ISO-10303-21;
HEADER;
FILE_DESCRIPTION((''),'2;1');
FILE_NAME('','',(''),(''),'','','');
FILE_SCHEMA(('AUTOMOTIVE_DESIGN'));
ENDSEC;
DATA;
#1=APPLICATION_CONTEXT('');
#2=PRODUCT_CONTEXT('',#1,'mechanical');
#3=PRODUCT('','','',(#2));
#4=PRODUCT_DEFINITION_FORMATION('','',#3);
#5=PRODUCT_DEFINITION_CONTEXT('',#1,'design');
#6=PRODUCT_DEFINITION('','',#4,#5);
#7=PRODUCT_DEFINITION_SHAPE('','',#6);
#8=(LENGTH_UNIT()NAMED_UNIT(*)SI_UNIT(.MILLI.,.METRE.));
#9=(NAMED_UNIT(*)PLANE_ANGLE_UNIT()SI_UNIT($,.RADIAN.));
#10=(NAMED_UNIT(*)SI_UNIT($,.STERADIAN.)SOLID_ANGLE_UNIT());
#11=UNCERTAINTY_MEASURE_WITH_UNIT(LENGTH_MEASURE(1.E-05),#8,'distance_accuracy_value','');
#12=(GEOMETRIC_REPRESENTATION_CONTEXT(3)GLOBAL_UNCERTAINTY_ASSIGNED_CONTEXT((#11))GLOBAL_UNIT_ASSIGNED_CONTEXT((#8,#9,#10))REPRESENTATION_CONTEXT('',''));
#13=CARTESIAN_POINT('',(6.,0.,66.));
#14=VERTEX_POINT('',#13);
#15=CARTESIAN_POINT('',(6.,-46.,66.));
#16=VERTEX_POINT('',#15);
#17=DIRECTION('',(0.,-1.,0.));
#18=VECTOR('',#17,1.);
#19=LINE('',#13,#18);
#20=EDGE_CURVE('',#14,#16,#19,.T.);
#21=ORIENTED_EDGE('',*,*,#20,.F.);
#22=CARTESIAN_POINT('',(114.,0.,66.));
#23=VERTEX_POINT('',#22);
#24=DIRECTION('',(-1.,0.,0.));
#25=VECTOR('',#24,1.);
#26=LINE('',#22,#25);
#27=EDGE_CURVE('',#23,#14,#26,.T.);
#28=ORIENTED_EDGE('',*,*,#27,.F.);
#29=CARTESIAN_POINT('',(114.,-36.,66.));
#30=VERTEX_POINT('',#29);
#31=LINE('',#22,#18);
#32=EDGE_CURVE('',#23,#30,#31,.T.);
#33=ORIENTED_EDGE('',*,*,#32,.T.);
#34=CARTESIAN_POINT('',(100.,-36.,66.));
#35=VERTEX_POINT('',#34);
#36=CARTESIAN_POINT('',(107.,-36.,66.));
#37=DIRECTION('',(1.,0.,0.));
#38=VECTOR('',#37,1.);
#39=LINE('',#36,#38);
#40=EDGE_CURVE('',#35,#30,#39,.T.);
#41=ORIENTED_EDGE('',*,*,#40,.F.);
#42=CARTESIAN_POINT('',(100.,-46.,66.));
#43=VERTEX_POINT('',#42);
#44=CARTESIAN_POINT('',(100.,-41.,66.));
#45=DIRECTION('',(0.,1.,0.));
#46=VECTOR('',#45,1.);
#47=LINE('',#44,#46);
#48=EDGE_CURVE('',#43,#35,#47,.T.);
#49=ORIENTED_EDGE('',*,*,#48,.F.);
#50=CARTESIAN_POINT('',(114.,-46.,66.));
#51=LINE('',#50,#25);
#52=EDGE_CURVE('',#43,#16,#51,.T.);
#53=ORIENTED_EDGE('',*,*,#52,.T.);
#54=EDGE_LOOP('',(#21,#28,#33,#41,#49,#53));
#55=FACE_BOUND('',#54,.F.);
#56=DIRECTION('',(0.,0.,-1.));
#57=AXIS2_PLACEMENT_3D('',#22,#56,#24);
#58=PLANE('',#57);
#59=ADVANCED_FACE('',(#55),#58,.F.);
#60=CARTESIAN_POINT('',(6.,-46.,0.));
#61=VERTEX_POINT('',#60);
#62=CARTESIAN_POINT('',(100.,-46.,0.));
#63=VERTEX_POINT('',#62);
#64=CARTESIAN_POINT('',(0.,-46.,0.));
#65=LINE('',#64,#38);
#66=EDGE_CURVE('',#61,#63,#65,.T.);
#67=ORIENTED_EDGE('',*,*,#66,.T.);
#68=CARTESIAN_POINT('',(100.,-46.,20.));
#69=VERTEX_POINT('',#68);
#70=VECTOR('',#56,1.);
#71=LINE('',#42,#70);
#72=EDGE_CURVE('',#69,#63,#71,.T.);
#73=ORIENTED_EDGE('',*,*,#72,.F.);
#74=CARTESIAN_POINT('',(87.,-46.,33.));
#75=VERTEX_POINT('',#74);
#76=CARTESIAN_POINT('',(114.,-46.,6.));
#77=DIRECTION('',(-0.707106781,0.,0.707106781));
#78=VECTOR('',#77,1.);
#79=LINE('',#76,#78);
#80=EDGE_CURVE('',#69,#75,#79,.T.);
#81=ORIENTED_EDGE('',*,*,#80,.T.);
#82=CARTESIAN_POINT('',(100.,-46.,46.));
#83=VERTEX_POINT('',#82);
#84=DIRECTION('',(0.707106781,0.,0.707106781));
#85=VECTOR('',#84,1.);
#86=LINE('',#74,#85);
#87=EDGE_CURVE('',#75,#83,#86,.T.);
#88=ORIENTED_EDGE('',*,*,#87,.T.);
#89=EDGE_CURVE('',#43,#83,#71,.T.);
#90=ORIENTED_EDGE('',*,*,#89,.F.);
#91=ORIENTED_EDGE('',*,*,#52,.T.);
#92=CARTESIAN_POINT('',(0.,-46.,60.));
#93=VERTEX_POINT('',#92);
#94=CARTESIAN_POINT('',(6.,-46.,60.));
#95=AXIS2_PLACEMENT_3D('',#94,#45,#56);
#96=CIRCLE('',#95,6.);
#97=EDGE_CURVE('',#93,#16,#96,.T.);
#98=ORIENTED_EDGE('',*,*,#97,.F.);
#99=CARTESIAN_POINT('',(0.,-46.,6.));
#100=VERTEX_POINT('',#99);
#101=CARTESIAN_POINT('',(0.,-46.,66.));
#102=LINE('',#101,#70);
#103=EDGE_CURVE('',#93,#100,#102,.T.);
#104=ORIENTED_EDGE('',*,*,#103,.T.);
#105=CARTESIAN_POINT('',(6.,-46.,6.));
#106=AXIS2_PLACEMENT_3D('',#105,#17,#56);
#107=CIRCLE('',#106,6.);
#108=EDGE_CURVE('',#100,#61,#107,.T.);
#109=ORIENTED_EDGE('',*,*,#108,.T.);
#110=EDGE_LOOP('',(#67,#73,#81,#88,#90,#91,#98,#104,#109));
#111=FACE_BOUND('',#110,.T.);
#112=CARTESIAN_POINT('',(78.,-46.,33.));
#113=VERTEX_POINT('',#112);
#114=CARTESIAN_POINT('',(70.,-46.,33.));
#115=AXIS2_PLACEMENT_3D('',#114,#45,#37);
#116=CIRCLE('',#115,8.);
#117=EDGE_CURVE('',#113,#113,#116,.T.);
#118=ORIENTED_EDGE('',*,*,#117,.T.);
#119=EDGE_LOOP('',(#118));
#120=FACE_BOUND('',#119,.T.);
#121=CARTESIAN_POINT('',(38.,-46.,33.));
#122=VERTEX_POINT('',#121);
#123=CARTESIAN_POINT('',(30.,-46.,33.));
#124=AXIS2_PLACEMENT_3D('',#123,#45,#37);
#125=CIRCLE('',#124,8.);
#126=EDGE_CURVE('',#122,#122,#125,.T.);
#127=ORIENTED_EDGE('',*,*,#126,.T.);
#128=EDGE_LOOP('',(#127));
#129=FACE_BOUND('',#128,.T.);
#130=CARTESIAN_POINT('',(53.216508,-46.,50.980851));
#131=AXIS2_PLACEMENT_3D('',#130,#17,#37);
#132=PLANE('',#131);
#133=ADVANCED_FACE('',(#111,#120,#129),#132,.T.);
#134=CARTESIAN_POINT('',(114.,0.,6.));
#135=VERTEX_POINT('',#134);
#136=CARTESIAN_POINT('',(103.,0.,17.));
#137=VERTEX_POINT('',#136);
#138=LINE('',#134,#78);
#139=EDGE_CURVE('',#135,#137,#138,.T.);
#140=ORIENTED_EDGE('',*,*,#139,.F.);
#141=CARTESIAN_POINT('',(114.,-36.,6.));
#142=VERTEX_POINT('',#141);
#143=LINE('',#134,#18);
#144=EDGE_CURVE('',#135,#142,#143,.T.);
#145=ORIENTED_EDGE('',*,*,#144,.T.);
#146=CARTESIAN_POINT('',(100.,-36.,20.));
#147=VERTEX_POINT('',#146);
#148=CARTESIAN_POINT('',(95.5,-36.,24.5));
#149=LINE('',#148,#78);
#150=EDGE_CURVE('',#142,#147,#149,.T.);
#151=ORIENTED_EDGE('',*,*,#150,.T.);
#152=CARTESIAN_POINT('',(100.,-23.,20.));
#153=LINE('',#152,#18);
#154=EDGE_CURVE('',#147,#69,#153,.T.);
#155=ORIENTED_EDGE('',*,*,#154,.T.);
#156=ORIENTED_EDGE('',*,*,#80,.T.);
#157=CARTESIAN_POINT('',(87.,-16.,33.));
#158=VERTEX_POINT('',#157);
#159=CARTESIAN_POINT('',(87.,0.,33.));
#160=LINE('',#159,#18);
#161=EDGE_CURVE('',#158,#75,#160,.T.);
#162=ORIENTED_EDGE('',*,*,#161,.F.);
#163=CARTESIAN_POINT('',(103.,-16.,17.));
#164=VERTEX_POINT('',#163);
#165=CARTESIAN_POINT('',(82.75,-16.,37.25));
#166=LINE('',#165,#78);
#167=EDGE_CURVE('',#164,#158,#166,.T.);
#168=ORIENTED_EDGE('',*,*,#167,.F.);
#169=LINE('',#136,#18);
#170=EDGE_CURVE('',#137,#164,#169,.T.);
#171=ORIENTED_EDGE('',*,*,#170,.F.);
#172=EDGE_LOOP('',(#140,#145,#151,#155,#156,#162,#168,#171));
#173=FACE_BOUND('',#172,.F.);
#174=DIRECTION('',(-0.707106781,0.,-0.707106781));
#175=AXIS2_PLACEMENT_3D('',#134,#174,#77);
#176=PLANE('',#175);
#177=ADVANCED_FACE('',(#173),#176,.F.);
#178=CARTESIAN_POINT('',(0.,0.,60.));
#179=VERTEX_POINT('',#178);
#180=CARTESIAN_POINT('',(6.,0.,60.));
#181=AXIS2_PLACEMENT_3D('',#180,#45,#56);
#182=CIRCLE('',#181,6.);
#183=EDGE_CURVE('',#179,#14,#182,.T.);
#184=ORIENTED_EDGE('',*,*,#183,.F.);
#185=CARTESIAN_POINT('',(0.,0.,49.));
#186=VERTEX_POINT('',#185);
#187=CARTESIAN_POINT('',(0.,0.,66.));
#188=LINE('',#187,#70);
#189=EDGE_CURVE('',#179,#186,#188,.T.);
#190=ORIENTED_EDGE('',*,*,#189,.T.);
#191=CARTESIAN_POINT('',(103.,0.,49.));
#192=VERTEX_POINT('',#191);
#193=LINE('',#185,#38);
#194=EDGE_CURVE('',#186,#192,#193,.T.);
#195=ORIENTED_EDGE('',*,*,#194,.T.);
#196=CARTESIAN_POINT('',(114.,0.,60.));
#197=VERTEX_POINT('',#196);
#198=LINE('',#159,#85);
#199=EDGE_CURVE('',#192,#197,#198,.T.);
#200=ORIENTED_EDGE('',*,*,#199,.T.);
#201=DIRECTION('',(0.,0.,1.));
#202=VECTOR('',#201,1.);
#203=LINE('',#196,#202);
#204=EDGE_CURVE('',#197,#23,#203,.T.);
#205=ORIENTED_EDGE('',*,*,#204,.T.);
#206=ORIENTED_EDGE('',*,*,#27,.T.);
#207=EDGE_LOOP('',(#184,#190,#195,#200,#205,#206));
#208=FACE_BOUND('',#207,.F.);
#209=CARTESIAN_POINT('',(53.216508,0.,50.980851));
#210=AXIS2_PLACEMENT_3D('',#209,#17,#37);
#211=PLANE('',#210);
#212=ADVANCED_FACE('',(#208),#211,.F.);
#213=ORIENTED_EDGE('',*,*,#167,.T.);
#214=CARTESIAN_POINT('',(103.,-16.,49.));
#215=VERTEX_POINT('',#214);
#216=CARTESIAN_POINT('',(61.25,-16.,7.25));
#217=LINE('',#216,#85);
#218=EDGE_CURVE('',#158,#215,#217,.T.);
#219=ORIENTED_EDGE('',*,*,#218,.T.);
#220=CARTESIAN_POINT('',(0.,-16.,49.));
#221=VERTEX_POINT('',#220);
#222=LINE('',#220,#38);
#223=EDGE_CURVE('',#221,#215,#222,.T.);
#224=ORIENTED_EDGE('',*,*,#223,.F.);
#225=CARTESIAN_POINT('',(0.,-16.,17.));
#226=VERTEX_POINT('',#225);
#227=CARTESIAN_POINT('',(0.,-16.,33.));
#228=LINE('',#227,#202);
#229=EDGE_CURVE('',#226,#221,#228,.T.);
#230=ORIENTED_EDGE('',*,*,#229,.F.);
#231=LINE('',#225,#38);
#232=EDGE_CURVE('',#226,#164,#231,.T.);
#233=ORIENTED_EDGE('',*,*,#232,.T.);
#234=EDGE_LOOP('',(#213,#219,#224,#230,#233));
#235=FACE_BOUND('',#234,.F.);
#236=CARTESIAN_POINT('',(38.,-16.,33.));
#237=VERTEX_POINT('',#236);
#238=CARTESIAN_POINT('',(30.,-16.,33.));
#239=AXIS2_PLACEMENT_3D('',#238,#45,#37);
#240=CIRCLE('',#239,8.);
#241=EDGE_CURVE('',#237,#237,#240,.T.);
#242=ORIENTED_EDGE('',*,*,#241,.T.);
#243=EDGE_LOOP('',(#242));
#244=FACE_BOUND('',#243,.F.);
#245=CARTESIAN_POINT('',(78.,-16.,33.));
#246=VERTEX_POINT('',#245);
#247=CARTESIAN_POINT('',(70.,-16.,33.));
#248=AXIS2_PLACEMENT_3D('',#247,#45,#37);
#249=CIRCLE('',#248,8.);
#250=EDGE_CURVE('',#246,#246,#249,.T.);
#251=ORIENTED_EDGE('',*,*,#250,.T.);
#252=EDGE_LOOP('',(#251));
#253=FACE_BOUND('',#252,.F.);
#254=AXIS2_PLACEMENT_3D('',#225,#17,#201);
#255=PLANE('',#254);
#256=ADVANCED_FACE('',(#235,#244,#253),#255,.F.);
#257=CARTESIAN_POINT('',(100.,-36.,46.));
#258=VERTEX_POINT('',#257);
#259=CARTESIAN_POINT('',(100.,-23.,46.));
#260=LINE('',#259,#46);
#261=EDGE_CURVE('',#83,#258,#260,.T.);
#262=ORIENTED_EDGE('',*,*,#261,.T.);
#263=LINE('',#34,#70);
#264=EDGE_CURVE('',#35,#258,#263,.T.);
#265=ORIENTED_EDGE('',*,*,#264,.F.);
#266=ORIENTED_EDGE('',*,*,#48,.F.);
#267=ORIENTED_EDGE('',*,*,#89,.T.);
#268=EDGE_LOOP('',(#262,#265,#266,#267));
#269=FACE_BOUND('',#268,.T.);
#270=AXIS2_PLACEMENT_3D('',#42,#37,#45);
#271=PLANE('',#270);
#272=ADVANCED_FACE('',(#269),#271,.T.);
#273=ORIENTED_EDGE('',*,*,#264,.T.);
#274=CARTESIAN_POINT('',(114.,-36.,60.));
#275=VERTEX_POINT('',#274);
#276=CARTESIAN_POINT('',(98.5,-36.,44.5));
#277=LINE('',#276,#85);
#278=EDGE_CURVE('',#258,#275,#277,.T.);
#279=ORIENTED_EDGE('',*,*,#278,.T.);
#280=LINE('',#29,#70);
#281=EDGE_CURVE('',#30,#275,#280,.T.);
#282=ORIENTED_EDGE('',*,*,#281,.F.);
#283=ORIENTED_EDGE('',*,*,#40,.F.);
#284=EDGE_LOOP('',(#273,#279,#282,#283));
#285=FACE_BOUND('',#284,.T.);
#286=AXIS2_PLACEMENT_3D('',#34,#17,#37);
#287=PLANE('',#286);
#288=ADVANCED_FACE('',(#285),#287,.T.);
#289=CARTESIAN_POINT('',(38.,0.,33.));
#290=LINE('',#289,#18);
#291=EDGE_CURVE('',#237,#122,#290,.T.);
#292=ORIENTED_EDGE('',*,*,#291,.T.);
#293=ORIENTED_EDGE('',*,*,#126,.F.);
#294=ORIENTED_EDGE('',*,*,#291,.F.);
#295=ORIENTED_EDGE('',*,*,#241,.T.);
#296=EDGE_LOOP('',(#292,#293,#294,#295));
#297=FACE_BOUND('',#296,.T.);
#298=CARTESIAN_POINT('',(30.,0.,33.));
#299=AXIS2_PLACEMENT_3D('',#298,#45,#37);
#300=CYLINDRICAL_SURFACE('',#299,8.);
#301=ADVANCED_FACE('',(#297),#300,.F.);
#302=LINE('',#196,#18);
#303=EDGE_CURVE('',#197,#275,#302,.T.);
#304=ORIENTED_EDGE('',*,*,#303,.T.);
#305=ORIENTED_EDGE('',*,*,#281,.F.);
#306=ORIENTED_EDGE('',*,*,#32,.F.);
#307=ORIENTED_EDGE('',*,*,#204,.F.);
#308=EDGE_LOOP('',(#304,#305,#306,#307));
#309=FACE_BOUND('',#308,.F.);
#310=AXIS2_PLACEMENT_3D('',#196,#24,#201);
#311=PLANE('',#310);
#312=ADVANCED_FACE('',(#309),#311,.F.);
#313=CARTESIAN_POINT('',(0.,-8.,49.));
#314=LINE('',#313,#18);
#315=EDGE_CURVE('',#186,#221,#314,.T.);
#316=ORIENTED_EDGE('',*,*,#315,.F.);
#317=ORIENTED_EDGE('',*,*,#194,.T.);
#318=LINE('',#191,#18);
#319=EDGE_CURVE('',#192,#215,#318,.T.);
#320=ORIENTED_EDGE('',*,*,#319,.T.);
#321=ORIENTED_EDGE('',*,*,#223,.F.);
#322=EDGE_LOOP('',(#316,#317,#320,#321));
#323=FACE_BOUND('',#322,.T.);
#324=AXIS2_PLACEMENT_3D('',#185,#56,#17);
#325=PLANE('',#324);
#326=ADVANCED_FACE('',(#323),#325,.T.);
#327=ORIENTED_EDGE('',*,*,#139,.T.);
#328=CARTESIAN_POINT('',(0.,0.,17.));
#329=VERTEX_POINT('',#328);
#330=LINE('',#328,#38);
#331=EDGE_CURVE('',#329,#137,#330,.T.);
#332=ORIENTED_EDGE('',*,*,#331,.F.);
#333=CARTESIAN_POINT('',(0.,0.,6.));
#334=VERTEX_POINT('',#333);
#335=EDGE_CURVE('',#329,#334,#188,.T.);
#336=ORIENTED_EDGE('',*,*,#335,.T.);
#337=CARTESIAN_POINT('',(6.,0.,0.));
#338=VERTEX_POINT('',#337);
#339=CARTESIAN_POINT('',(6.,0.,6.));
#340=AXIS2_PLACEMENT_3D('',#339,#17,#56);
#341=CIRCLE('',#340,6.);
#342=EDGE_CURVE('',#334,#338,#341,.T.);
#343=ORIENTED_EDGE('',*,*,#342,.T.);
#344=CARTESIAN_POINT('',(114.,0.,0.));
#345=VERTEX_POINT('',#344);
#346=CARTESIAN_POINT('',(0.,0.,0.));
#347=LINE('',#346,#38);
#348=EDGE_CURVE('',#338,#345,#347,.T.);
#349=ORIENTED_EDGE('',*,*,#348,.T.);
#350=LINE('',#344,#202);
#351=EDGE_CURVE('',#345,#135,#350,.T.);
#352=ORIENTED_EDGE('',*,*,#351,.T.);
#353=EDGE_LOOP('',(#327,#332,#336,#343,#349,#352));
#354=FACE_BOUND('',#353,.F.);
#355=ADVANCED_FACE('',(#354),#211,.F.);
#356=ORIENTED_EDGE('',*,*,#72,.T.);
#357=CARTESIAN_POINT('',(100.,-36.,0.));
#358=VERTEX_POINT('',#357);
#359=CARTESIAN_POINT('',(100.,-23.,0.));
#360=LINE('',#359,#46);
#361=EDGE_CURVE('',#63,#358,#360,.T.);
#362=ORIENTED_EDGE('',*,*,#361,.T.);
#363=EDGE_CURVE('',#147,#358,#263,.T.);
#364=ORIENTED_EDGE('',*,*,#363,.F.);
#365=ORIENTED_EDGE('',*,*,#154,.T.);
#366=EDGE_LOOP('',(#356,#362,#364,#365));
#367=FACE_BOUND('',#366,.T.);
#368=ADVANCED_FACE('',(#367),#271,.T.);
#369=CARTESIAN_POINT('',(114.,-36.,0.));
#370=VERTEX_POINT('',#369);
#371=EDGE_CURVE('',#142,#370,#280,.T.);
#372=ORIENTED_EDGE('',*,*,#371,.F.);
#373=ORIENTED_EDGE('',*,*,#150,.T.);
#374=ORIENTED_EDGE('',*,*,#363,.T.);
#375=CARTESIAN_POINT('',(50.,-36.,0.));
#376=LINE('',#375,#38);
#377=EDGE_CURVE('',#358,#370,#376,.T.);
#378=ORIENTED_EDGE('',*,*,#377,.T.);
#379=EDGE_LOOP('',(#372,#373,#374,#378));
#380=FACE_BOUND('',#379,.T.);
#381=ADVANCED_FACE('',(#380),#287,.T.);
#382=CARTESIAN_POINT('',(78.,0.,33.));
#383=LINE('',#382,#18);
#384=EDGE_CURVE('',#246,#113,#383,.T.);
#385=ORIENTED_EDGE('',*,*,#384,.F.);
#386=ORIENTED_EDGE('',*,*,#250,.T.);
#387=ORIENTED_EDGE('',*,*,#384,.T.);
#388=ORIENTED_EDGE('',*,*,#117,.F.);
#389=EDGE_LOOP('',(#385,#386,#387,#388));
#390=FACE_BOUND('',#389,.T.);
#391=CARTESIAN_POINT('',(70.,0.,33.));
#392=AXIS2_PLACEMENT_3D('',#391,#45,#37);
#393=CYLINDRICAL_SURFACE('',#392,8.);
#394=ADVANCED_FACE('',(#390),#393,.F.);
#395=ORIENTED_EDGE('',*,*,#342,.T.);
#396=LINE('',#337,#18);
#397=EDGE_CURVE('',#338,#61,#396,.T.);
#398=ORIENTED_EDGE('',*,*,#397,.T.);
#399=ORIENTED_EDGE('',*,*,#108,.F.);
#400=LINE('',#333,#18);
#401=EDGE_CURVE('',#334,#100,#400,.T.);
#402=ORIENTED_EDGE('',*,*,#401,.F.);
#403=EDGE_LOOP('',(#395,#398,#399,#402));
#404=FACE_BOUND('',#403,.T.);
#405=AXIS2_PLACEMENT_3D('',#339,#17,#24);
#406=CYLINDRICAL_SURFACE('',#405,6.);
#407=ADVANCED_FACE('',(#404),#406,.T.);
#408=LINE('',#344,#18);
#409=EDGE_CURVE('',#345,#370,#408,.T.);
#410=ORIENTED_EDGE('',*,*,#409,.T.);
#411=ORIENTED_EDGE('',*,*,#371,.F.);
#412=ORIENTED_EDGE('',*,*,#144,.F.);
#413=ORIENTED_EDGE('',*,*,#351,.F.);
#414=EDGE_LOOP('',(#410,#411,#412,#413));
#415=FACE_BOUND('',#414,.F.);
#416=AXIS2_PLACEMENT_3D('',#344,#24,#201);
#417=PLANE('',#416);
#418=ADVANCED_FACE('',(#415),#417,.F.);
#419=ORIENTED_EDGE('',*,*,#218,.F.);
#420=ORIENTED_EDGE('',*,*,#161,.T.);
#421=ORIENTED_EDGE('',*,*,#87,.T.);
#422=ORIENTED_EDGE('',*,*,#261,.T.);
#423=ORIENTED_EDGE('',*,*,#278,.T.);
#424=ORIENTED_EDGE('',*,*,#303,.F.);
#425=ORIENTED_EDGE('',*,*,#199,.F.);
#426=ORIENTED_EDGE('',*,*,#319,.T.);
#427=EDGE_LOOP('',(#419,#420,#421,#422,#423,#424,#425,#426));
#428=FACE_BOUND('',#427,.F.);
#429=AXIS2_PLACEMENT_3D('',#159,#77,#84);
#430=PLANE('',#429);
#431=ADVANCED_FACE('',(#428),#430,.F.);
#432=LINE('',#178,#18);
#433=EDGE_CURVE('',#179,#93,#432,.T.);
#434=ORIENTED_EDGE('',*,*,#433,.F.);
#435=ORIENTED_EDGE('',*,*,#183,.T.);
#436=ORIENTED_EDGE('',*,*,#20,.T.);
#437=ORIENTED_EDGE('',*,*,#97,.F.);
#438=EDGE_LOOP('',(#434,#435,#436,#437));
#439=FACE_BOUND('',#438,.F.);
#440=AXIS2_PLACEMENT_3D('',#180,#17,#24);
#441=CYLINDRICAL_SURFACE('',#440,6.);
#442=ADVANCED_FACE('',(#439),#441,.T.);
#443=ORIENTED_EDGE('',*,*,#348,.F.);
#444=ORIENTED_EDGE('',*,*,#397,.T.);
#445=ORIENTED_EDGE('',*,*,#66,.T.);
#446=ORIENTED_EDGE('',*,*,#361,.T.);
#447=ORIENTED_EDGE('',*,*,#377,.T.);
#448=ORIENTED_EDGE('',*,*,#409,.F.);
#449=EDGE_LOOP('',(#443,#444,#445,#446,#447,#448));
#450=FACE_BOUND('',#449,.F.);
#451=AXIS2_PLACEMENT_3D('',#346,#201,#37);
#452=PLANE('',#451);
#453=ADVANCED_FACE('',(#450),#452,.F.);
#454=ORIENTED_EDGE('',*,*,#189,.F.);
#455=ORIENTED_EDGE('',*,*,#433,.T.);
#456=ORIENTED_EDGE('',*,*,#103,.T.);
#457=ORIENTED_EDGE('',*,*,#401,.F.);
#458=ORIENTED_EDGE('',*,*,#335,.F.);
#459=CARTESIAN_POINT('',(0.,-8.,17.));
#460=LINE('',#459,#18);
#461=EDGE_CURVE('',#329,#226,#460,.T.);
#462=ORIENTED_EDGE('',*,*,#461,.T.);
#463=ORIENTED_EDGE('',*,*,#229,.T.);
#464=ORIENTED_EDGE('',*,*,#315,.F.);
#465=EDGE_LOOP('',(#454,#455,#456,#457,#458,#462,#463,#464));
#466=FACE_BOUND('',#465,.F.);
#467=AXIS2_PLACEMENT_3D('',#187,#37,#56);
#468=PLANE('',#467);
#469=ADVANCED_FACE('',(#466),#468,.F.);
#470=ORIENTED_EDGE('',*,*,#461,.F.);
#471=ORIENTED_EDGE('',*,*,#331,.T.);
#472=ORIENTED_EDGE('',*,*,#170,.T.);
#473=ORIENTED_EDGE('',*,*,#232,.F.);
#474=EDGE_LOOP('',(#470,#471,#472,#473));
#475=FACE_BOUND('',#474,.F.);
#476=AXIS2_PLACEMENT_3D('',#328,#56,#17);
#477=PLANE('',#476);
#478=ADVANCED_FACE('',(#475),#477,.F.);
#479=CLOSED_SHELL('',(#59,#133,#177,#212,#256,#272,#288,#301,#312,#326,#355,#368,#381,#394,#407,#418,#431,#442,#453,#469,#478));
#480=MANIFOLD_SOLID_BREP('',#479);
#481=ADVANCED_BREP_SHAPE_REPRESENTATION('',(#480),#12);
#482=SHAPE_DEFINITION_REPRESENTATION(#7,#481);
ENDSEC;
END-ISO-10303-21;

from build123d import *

# Parameters (mm, degrees)
F1_DEPTH = 46
F2_W     = 14
F2_H     = 10
F3_DEPTH = 66.001
F4_W     = 16
F4_H     = 32
F5_DEPTH = 114.001
F6_R     = 8
F7_DEPTH = 25
F8_DEPTH = 46.001
F9_R     = 6


with BuildPart() as f1:
    # F0 (on Front) → F1 (new body)
    with BuildSketch(Plane.XZ):
        Polygon((0, 66), (0, 33), (87, 33), (114, 60), (114, 66), align=None)
        Polygon((0, 33), (0, 0), (114, 0), (114, 6), (87, 33), align=None)
    extrude(amount=F1_DEPTH)

    # F2 (on face) → F3 (cut, through all)
    with BuildSketch(Plane.XY.offset(66)):
        with Locations((107, -41)):
            Rectangle(F2_W, F2_H)
    extrude(amount=-F3_DEPTH, mode=Mode.SUBTRACT)

    # F4 (on face) → F5 (cut, through all)
    with BuildSketch(Plane(origin=(0, 0, 0), x_dir=(0, -1, 0), z_dir=(-1, 0, 0))):
        with Locations((8, 33)):
            Rectangle(F4_W, F4_H)
    extrude(amount=-F5_DEPTH, mode=Mode.SUBTRACT)

    # F6 (on Front) → F7 (join)
    with BuildSketch(Plane.XZ):
        with Locations((30, 33)):
            Circle(F6_R)
        with Locations((70, 33)):
            Circle(F6_R)
    extrude(amount=F7_DEPTH)

    # F6 (on Front) → F8 (cut, through all)
    with BuildSketch(Plane.XZ):
        with Locations((30, 33)):
            Circle(F6_R)
        with Locations((70, 33)):
            Circle(F6_R)
    extrude(amount=F8_DEPTH, mode=Mode.SUBTRACT)

    # F9
    f9_edges = [f1.edges().sort_by_distance(p)[0] for p in [
        (0, -23, 66),
        (0, -23, 0),
    ]]
    fillet(f9_edges, radius=F9_R)


solid = f1.part
